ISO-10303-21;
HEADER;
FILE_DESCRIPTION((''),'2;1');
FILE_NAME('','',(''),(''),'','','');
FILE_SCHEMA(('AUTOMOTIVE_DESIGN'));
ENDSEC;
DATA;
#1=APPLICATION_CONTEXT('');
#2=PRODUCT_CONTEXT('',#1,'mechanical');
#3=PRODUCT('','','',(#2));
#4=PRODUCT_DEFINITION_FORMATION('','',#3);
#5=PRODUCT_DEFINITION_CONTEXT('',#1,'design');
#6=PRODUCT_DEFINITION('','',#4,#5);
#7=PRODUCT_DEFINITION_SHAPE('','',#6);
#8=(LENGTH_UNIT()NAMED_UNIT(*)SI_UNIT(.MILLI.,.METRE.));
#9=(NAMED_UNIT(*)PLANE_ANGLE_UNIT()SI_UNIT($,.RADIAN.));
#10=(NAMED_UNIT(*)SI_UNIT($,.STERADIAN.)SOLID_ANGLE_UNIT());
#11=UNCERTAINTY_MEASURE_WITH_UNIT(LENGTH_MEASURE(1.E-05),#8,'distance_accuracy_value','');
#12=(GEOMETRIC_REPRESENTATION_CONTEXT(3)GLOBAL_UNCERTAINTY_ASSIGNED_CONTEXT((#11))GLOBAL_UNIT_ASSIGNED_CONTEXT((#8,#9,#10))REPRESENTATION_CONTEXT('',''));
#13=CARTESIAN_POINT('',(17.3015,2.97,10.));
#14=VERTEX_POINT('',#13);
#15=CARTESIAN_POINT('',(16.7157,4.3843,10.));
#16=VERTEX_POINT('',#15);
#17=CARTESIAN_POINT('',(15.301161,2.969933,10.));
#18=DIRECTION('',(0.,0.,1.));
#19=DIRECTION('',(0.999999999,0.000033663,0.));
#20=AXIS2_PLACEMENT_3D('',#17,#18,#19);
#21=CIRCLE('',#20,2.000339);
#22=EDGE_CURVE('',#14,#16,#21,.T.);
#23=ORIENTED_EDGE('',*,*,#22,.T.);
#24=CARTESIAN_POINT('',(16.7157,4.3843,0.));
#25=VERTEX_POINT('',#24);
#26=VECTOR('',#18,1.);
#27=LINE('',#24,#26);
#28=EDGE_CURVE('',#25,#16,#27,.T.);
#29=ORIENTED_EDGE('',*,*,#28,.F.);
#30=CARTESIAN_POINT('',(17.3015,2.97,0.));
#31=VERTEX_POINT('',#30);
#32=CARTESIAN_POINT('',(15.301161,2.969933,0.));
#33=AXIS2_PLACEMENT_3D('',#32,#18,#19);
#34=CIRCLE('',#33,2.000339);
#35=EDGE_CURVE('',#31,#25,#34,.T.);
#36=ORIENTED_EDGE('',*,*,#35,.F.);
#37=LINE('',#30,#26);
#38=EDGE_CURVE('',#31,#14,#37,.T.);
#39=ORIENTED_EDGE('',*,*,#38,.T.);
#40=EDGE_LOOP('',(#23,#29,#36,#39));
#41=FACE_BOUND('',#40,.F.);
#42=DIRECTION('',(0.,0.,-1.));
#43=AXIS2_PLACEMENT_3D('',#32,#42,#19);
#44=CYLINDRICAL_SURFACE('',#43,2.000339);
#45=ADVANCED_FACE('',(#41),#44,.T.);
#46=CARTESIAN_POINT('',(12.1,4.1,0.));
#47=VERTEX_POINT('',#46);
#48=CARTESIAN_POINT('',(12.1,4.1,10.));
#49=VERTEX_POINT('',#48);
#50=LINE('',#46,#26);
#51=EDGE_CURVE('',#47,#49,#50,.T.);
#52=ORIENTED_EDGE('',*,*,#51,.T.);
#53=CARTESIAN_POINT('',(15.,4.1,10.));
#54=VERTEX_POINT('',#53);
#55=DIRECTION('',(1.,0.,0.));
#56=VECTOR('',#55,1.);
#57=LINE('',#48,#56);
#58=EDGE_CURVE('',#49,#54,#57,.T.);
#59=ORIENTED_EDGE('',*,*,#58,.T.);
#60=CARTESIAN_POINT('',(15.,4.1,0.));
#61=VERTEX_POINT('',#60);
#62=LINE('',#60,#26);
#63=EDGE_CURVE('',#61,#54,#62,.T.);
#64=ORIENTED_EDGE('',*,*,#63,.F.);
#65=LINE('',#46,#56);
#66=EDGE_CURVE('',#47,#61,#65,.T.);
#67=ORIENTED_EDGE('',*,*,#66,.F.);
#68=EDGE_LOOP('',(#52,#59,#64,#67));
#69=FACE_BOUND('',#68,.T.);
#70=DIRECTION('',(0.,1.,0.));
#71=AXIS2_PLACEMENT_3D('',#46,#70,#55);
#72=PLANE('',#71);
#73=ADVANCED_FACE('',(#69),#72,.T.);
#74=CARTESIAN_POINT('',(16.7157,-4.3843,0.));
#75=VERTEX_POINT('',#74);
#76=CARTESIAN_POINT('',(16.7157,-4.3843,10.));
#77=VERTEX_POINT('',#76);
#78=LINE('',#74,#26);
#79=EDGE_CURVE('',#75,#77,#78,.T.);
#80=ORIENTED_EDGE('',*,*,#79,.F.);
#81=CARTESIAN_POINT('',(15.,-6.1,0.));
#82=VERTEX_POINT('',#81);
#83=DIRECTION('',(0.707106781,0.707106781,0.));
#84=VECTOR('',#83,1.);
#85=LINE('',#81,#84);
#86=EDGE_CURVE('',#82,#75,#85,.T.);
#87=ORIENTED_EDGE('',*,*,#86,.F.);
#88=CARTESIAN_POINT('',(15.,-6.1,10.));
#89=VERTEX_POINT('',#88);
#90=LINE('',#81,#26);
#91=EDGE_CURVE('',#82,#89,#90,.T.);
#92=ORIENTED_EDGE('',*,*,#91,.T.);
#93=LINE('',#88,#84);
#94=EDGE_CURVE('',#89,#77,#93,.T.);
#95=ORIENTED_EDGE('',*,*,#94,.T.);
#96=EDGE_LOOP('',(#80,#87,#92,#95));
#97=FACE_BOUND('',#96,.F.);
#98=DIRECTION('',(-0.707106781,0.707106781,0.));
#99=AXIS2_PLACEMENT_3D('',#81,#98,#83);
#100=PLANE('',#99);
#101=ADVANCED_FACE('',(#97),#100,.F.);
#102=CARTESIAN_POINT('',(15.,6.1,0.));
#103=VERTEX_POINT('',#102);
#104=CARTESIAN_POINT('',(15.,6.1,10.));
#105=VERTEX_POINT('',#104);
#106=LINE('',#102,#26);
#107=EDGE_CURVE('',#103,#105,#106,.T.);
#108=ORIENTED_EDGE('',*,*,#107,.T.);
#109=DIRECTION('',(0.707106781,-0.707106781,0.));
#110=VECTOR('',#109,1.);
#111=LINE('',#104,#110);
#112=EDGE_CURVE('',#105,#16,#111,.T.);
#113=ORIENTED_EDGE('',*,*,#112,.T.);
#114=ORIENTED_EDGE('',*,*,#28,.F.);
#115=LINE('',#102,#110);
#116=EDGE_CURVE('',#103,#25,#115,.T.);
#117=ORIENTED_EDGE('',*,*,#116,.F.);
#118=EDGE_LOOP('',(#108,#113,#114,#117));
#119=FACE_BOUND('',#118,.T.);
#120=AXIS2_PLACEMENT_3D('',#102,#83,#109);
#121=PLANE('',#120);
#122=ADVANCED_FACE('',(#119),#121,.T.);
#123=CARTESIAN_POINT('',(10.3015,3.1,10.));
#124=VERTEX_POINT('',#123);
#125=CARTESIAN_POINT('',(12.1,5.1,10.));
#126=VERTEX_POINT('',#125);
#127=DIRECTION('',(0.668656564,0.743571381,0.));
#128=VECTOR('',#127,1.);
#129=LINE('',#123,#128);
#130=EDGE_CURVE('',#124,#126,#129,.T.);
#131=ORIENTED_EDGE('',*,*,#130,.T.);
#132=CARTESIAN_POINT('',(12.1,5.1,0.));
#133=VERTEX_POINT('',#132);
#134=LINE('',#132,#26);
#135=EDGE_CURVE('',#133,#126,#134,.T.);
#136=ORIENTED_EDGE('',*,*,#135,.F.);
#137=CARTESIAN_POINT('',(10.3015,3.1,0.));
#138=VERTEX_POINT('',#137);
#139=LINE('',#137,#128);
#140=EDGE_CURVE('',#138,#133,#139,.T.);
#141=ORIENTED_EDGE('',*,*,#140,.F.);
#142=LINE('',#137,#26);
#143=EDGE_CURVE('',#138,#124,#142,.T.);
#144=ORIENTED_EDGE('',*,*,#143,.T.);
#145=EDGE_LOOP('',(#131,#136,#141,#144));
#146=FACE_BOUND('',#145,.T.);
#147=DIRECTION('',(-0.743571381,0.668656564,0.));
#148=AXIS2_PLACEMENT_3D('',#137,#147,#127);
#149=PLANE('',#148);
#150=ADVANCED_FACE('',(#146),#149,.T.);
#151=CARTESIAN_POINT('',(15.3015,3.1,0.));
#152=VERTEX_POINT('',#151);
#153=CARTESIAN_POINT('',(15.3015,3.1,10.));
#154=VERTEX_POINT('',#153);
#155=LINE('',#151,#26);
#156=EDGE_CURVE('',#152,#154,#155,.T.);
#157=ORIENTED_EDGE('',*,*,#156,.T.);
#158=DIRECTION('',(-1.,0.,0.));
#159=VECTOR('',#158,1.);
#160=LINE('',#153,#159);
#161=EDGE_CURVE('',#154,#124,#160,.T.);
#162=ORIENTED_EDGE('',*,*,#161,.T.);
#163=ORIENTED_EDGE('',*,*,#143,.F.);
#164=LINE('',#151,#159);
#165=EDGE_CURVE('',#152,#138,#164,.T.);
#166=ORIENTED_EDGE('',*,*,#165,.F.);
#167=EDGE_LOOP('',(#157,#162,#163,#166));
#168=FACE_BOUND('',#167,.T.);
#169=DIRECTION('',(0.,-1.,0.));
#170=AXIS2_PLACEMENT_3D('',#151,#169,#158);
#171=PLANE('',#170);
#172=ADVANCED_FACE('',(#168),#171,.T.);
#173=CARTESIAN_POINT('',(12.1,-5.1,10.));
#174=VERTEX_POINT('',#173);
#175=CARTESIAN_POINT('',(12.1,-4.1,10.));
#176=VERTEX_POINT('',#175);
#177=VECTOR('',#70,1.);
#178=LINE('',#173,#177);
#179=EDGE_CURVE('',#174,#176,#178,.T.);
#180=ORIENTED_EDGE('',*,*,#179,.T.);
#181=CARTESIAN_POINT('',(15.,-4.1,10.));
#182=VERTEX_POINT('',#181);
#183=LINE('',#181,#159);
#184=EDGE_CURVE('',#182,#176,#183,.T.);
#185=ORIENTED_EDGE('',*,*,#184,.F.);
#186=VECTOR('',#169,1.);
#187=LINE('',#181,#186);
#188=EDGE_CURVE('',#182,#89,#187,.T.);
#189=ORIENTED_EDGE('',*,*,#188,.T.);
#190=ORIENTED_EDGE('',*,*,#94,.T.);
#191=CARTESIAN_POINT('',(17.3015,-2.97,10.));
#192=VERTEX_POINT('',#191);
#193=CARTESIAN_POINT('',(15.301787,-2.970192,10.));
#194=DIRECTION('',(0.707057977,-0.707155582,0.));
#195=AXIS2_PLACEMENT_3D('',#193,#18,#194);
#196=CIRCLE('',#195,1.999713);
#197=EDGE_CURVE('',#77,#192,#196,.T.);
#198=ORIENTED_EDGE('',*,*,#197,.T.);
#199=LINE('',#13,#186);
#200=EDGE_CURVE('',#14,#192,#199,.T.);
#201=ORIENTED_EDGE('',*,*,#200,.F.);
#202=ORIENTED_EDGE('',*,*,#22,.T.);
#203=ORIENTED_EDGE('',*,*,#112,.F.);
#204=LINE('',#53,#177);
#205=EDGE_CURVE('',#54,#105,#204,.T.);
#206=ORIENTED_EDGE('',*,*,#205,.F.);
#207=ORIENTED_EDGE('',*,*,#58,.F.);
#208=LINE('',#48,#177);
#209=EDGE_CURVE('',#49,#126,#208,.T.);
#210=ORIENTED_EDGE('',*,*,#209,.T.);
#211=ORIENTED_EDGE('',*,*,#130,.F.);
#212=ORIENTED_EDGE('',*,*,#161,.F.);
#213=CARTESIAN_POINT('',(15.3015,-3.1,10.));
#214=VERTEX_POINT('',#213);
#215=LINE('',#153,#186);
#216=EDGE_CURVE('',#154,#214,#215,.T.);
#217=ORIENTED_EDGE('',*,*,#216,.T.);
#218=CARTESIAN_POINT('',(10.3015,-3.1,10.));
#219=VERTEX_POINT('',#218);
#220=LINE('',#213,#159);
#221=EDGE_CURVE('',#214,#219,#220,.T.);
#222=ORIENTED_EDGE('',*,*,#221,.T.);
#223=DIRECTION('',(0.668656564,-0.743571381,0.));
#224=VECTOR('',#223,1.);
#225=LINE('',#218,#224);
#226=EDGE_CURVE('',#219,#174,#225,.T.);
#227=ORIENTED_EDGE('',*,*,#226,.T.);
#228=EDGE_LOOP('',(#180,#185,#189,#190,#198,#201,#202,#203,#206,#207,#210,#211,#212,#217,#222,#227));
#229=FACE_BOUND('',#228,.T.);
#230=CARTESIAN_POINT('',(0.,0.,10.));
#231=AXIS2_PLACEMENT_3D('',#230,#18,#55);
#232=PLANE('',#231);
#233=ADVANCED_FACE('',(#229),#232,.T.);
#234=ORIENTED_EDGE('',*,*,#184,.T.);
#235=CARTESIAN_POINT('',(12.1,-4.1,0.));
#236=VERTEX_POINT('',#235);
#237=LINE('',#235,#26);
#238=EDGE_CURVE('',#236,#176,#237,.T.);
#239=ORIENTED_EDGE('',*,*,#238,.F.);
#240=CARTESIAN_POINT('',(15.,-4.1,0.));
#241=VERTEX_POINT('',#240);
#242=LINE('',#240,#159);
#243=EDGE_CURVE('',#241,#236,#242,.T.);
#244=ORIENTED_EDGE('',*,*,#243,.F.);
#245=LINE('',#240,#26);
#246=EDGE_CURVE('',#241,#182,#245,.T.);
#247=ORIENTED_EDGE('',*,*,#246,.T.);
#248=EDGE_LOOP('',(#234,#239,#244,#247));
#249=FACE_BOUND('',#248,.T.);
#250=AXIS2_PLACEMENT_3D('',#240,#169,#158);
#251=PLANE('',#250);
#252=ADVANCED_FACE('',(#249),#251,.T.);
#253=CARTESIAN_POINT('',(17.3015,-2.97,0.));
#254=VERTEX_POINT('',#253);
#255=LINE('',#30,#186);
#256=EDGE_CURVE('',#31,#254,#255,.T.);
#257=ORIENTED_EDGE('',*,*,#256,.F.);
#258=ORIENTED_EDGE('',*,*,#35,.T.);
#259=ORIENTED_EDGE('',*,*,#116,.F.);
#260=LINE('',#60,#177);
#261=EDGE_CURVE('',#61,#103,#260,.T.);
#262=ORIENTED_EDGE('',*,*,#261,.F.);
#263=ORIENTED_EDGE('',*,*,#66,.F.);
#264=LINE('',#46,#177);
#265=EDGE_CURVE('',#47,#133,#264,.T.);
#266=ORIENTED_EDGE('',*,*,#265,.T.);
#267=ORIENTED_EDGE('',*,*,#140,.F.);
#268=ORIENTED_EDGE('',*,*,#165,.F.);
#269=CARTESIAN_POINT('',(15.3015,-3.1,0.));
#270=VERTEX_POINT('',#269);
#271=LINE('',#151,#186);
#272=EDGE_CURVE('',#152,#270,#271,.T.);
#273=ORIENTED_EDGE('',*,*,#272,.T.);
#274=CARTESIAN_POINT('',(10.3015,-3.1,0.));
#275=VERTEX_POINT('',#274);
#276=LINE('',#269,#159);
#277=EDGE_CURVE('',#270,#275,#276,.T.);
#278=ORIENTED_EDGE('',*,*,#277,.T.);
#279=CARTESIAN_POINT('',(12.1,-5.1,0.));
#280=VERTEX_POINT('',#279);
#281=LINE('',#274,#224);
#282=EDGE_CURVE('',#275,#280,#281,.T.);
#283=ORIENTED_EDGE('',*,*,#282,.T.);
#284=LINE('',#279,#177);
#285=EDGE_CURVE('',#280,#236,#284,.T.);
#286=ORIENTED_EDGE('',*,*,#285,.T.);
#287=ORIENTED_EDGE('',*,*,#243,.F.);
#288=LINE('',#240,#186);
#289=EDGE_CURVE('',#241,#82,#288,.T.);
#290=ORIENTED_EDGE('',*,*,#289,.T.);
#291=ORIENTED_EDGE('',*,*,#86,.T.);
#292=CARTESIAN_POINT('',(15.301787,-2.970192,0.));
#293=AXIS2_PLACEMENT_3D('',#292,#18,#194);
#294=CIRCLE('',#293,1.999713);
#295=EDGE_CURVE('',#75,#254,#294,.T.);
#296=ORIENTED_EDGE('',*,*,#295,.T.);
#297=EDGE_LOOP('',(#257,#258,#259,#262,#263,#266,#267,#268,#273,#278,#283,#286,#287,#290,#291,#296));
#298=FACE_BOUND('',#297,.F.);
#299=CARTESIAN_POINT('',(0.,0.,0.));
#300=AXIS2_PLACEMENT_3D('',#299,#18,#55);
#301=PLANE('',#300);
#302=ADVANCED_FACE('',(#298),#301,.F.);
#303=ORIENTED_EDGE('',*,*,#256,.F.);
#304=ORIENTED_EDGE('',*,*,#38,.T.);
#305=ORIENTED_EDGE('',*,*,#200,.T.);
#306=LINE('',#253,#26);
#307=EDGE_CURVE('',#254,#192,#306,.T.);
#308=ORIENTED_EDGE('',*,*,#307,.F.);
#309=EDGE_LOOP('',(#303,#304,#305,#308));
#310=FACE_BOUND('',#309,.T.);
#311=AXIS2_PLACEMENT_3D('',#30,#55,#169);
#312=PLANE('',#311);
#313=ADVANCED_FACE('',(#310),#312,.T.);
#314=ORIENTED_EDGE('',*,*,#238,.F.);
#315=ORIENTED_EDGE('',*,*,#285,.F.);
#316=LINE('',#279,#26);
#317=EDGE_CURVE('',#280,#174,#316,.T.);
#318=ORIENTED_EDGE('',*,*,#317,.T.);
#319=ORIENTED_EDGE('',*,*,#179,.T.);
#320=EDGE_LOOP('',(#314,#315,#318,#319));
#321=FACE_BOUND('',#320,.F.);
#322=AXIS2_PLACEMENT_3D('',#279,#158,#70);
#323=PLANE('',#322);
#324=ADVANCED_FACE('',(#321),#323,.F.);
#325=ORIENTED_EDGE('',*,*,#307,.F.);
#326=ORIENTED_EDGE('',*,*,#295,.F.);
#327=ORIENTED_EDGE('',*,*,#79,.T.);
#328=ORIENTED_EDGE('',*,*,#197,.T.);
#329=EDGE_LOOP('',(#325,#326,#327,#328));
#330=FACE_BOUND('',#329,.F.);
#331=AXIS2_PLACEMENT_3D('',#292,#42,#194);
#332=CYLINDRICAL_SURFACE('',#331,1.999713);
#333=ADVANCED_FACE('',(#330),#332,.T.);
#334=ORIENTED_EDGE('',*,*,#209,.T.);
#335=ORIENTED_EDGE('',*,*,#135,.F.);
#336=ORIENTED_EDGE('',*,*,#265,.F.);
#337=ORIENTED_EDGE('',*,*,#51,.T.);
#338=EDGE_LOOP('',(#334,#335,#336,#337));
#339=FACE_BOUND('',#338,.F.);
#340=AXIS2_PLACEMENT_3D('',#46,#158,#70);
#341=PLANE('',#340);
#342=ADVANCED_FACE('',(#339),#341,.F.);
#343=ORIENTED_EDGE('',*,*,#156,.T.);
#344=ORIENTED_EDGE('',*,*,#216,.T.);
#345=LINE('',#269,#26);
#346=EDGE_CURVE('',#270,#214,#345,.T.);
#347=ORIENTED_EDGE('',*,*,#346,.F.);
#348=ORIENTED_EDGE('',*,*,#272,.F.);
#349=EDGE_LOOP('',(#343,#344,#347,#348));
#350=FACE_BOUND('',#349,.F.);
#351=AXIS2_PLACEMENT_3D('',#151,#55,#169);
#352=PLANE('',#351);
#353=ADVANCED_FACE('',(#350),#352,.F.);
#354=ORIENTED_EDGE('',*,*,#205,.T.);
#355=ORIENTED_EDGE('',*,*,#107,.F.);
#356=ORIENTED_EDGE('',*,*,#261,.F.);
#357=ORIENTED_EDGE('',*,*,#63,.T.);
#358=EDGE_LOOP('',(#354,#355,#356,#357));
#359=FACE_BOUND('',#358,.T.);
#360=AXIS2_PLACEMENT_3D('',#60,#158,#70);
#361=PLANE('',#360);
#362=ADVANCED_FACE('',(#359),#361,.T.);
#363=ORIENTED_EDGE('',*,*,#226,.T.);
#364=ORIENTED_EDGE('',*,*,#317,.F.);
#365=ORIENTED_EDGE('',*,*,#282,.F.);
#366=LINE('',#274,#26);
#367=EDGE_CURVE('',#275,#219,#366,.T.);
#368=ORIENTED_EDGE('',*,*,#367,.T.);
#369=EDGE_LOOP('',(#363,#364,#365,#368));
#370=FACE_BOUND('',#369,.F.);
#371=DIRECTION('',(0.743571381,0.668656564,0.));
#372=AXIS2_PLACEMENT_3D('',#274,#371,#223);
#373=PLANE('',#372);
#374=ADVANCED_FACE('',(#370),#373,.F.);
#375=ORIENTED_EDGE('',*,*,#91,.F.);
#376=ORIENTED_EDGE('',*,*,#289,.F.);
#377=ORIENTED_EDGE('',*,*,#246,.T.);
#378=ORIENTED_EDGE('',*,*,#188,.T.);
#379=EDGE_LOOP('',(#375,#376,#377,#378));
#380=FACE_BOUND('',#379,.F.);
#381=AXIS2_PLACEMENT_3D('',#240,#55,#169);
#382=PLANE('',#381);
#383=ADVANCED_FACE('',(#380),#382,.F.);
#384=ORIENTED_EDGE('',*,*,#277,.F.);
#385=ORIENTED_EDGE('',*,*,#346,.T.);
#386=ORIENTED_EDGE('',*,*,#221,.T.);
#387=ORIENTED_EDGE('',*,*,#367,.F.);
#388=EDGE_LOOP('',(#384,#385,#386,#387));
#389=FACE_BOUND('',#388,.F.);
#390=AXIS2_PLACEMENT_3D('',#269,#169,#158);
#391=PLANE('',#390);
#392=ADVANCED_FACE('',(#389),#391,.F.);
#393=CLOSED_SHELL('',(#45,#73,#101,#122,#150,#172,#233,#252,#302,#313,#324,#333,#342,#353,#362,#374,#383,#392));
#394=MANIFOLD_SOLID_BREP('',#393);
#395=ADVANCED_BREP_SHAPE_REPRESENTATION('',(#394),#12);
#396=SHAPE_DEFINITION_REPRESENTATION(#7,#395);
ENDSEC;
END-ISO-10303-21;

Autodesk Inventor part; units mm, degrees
ref_plane "YZ Plane" through (0, 0, 0) normal (1, 0, 0) x (0, 1, 0)
ref_plane "XZ Plane" through (0, 0, 0) normal (0, 1, 0) x (-1, 0, 0)
ref_plane "XY Plane" through (0, 0, 0) normal (0, 0, 1) x (1, 0, 0)
sketch "Sketch1" plane through (0, 0, 0) normal (0, 0, 1) x (1, 0, 0)
  line L0 (15, -4.1) -> (12.1, -4.1)
  line L1 (12.1, 4.1) -> (15, 4.1)
  line L2 (12.1, 4.1) -> (12.1, 5.1)
  line L3 (10.3015, 3.1) -> (12.1, 5.1)
  line L4 (10.3015, -3.1) -> (12.1, -5.1)
  line L5 (12.1, -5.1) -> (12.1, -4.1)
  line L6 (15.3015, 3.1) -> (15.3015, -3.1)
  line L7 (15, 4.1) -> (15, 6.1)
  line L8 (15, 6.1) -> (16.7157, 4.3843)
  line L9 (15, -4.1) -> (15, -6.1)
  line L10 (15, -6.1) -> (16.7157, -4.3843)
  line L11 (17.3015, 2.97) -> (17.3015, -2.97)
  line L12 (15.3015, 3.1) -> (10.3015, 3.1)
  line L13 (15.3015, -3.1) -> (10.3015, -3.1)
  arc A0 (17.3015, 2.97) -> (16.7157, 4.3843) centre (15.3015, 2.97) ccw
  arc A1 (16.7157, -4.3843) -> (17.3015, -2.97) centre (15.3015, -2.97) ccw
  point P0 (0, 0)
  point P1 (17.3015, 3.7985)
  point P2 (17.3015, -3.7985)
  dimension "d0" = 1
  dimension "d2" = 45
  dimension "d3" = 45
  dimension "d4" = 2.3015
  dimension "d5" = 2.3015
  dimension "d6" = 2
  dimension "d7" = 2
  dimension "d8" = 1
  dimension "d9" = 1
  dimension "d10" = 5
  dimension "d11" = 5
  dimension "d12" = 1
  dimension "d13" = 2
  dimension "d16" = 2.9
  dimension "d17" = 2.9
  dimension "d18" = 2
extrude "Extrusion1" add sketch "Sketch1" along normal blind 10
equation "\"d5\" = d4"
equation "\"d7\" = d6"
equation "\"d9\" = d8"
equation "\"d11\" = d10"
equation "\"d12\" = d0"
equation "\"d17\" = d16"
properties part number "clema cablu profil"
